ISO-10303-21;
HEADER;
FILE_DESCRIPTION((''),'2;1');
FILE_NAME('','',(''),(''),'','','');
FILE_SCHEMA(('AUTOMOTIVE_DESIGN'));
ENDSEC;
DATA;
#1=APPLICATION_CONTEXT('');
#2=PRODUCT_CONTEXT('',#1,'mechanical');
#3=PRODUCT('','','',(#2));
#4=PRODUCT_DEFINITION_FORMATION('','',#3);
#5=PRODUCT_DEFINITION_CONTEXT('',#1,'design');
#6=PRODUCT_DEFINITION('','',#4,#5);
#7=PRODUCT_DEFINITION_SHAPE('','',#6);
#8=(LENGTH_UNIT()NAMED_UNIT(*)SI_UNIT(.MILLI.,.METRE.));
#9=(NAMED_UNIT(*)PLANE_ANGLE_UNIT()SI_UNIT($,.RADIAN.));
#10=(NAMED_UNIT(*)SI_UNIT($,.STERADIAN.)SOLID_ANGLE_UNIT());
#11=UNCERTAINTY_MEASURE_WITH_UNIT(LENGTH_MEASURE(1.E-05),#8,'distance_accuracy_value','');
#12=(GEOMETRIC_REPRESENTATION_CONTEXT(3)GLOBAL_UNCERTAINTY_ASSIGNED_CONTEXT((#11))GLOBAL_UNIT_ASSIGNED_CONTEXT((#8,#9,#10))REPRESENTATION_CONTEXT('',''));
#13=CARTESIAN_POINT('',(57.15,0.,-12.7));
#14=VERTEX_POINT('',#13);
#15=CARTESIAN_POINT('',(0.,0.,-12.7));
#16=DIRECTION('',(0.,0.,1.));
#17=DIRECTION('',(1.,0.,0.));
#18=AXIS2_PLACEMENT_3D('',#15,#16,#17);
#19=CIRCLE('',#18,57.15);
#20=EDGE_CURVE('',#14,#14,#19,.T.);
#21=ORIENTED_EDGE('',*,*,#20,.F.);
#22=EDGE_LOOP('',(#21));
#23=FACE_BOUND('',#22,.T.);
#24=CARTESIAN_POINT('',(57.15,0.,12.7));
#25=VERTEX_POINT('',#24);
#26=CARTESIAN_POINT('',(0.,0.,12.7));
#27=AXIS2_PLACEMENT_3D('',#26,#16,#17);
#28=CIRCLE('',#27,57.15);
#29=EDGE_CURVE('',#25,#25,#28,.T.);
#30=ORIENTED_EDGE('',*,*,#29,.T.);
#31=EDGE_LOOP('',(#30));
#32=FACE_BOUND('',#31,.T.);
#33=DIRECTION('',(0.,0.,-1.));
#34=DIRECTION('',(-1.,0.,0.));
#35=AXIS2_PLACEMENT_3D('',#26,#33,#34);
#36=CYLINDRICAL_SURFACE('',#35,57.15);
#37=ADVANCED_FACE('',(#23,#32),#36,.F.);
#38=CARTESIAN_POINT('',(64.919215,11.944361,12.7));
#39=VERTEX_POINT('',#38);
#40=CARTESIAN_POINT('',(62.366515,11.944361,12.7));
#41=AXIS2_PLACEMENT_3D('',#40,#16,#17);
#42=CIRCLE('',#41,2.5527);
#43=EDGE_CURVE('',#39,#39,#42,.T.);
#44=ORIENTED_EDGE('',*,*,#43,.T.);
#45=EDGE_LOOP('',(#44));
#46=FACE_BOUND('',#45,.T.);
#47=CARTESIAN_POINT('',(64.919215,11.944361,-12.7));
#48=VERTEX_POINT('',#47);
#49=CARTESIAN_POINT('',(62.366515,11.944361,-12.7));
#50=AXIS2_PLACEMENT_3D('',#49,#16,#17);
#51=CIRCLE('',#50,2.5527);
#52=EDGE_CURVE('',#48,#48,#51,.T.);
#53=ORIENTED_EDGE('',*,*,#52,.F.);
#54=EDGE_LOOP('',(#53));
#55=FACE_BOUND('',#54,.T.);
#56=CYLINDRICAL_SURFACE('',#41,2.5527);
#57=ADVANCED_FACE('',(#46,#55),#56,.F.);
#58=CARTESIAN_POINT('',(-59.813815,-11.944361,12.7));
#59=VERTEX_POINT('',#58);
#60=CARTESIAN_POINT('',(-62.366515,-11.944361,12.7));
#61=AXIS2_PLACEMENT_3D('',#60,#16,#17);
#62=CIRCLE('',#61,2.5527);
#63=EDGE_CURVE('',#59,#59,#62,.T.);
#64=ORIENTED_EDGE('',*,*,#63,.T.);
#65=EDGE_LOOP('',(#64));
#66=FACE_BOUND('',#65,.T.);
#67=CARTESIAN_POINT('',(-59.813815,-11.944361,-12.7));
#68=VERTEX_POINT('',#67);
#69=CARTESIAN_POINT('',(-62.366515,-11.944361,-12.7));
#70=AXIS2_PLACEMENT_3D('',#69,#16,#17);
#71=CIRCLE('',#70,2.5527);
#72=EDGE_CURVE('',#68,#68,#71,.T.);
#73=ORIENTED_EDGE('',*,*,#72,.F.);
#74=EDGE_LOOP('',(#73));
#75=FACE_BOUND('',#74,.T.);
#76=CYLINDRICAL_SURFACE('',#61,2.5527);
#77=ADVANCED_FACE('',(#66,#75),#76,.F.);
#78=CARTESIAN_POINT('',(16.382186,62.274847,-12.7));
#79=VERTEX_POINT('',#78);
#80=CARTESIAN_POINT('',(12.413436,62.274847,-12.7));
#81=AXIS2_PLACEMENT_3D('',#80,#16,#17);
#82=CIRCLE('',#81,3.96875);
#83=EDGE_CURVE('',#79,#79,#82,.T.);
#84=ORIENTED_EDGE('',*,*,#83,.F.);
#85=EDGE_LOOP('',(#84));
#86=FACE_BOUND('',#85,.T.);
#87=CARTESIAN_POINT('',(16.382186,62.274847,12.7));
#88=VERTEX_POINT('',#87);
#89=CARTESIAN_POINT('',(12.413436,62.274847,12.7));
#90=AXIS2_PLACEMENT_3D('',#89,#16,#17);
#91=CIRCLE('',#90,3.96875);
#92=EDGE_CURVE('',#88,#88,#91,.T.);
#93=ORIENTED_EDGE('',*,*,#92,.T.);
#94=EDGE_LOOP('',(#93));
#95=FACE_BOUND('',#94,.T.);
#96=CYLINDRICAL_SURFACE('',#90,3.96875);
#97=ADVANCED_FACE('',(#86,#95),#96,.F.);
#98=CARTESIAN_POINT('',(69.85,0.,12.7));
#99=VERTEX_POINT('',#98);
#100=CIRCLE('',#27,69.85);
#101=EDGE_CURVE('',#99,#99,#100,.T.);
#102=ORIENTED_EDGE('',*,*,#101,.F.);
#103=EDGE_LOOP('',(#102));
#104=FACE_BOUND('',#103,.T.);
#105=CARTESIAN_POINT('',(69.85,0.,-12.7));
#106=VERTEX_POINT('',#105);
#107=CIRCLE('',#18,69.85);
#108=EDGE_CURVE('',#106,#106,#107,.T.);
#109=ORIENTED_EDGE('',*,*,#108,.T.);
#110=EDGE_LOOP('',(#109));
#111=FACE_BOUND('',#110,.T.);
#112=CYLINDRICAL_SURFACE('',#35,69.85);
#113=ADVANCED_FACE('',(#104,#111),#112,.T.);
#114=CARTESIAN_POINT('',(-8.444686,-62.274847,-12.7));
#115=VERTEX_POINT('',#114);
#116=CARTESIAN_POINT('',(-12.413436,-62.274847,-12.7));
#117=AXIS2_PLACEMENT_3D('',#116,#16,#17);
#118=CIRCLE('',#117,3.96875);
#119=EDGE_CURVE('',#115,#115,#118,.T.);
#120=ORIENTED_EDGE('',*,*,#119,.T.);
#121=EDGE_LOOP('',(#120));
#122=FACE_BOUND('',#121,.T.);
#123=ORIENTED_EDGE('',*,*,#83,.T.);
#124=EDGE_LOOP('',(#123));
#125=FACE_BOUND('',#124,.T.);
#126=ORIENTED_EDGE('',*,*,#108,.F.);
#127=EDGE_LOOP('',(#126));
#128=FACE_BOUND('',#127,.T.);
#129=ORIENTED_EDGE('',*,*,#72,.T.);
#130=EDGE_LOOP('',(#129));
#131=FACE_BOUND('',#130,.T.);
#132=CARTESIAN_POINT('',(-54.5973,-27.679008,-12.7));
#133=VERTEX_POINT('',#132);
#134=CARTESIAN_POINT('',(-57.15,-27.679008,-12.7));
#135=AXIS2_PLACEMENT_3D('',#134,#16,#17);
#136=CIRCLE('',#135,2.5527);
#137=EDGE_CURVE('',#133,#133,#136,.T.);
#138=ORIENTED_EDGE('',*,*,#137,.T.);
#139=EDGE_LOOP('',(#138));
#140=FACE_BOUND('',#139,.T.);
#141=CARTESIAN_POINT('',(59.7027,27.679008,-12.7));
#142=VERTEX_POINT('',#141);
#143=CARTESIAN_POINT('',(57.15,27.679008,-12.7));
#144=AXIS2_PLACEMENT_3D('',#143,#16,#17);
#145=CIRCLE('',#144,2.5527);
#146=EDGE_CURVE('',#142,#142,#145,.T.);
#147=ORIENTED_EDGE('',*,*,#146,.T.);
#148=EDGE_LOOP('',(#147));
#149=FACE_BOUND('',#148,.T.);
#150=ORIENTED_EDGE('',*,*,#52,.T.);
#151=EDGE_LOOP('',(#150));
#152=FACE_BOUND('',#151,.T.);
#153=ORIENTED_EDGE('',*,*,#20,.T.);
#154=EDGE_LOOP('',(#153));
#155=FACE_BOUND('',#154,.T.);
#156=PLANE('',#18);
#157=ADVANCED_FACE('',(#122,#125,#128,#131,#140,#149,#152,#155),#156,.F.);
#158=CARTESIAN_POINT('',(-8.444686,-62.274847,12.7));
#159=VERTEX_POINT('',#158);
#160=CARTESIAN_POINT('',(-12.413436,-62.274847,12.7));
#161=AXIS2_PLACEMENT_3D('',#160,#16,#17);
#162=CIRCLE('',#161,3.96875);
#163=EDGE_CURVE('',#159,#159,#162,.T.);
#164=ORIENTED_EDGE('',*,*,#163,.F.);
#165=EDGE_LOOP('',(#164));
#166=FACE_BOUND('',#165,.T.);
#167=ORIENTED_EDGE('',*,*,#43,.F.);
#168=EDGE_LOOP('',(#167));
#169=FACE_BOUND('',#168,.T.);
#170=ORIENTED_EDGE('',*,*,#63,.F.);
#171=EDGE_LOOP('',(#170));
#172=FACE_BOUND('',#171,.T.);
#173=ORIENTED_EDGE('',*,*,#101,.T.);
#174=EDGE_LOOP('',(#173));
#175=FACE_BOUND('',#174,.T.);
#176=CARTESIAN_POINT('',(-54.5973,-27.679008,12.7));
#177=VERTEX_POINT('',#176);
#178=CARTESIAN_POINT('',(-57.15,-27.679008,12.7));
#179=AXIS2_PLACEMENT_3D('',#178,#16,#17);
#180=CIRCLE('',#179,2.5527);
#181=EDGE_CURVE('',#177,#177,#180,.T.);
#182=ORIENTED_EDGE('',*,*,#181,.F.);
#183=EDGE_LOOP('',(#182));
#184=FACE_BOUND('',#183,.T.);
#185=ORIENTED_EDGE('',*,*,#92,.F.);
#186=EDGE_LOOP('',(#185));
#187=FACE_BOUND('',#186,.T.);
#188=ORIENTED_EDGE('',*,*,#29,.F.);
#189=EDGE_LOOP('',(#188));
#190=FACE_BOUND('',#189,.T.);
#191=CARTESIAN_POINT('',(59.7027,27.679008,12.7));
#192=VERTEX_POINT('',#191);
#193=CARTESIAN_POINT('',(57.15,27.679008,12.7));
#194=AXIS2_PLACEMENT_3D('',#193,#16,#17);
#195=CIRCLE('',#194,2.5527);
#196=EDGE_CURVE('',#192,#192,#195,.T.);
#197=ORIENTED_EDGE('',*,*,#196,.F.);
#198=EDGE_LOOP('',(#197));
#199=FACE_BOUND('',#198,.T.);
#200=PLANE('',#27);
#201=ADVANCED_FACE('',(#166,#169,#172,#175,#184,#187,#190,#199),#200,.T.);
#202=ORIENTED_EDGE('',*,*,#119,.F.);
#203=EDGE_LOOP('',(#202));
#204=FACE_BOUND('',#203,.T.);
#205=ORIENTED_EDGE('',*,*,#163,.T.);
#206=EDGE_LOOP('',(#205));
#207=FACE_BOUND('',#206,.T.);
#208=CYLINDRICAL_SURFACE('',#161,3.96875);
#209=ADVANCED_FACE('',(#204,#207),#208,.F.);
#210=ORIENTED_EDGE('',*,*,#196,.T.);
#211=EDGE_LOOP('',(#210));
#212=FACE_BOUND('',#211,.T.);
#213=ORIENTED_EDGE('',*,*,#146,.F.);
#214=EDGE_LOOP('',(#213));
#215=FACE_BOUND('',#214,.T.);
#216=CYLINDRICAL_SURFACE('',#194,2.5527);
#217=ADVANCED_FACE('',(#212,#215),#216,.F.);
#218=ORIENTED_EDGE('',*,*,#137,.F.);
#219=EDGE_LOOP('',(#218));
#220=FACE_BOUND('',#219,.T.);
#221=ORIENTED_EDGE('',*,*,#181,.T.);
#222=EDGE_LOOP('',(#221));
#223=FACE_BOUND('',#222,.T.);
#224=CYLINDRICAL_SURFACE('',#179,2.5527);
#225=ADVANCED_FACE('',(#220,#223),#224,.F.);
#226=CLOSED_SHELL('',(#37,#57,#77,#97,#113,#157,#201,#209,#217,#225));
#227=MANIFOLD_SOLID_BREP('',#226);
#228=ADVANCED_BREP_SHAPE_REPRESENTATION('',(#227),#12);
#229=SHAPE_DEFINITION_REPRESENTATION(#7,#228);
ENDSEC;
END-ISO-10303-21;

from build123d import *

# Parameters (mm, degrees)
BOSS_EXTRUDE1_DEPTH            = 12.7
BOSS_EXTRUDE1_DEPTH_BACK       = 12.7
SKETCH3_R                      = 69.85
SKETCH3_R_2                    = 57.15
TAP_DRILL_FOR_1_4_20_TAP1_D    = 5.1054
F_5_16_0_3125_DIAMETER_HOLE1_D = 7.9375
CIRPATTERN1_COUNT              = 2


with BuildPart() as part:
    # Sketch3 → Boss-Extrude1 (new, two sides: drawn at the far end of the back side and taken through both)
    with BuildSketch(Plane.XY.offset(-BOSS_EXTRUDE1_DEPTH_BACK)):
        Circle(SKETCH3_R)
        Circle(SKETCH3_R_2, mode=Mode.SUBTRACT)
    extrude(amount=BOSS_EXTRUDE1_DEPTH + BOSS_EXTRUDE1_DEPTH_BACK)

    # Tap Drill for 1/4-20 Tap1 (through all)
    with Locations(Plane.XY.offset(12.7)):
        with Locations((-57.15, -27.679008291), (-62.366515468, -11.944360527)):
            tap_drill_for_1_4_20_tap1 = Hole(TAP_DRILL_FOR_1_4_20_TAP1_D / 2)

    # 5/16 (0.3125) Diameter Hole1 (through all)
    with Locations(Plane.XY.offset(12.7)):
        with Locations((-12.413435939, -62.274847316)):
            f_5_16_0_3125_diameter_hole1 = Hole(F_5_16_0_3125_DIAMETER_HOLE1_D / 2)

    # CirPattern1: Tap Drill for 1/4-20 Tap1, 5/16 (0.3125) Diameter Hole1 ×2 about axis
    cirpattern1_axis = Axis((0, 0, 0), (0, 0, 1))
    add([tap_drill_for_1_4_20_tap1.rotate(cirpattern1_axis, i * 360 / CIRPATTERN1_COUNT) for i in range(1, CIRPATTERN1_COUNT)], mode=Mode.SUBTRACT)
    add([f_5_16_0_3125_diameter_hole1.rotate(cirpattern1_axis, i * 360 / CIRPATTERN1_COUNT) for i in range(1, CIRPATTERN1_COUNT)], mode=Mode.SUBTRACT)


solid = part.part
